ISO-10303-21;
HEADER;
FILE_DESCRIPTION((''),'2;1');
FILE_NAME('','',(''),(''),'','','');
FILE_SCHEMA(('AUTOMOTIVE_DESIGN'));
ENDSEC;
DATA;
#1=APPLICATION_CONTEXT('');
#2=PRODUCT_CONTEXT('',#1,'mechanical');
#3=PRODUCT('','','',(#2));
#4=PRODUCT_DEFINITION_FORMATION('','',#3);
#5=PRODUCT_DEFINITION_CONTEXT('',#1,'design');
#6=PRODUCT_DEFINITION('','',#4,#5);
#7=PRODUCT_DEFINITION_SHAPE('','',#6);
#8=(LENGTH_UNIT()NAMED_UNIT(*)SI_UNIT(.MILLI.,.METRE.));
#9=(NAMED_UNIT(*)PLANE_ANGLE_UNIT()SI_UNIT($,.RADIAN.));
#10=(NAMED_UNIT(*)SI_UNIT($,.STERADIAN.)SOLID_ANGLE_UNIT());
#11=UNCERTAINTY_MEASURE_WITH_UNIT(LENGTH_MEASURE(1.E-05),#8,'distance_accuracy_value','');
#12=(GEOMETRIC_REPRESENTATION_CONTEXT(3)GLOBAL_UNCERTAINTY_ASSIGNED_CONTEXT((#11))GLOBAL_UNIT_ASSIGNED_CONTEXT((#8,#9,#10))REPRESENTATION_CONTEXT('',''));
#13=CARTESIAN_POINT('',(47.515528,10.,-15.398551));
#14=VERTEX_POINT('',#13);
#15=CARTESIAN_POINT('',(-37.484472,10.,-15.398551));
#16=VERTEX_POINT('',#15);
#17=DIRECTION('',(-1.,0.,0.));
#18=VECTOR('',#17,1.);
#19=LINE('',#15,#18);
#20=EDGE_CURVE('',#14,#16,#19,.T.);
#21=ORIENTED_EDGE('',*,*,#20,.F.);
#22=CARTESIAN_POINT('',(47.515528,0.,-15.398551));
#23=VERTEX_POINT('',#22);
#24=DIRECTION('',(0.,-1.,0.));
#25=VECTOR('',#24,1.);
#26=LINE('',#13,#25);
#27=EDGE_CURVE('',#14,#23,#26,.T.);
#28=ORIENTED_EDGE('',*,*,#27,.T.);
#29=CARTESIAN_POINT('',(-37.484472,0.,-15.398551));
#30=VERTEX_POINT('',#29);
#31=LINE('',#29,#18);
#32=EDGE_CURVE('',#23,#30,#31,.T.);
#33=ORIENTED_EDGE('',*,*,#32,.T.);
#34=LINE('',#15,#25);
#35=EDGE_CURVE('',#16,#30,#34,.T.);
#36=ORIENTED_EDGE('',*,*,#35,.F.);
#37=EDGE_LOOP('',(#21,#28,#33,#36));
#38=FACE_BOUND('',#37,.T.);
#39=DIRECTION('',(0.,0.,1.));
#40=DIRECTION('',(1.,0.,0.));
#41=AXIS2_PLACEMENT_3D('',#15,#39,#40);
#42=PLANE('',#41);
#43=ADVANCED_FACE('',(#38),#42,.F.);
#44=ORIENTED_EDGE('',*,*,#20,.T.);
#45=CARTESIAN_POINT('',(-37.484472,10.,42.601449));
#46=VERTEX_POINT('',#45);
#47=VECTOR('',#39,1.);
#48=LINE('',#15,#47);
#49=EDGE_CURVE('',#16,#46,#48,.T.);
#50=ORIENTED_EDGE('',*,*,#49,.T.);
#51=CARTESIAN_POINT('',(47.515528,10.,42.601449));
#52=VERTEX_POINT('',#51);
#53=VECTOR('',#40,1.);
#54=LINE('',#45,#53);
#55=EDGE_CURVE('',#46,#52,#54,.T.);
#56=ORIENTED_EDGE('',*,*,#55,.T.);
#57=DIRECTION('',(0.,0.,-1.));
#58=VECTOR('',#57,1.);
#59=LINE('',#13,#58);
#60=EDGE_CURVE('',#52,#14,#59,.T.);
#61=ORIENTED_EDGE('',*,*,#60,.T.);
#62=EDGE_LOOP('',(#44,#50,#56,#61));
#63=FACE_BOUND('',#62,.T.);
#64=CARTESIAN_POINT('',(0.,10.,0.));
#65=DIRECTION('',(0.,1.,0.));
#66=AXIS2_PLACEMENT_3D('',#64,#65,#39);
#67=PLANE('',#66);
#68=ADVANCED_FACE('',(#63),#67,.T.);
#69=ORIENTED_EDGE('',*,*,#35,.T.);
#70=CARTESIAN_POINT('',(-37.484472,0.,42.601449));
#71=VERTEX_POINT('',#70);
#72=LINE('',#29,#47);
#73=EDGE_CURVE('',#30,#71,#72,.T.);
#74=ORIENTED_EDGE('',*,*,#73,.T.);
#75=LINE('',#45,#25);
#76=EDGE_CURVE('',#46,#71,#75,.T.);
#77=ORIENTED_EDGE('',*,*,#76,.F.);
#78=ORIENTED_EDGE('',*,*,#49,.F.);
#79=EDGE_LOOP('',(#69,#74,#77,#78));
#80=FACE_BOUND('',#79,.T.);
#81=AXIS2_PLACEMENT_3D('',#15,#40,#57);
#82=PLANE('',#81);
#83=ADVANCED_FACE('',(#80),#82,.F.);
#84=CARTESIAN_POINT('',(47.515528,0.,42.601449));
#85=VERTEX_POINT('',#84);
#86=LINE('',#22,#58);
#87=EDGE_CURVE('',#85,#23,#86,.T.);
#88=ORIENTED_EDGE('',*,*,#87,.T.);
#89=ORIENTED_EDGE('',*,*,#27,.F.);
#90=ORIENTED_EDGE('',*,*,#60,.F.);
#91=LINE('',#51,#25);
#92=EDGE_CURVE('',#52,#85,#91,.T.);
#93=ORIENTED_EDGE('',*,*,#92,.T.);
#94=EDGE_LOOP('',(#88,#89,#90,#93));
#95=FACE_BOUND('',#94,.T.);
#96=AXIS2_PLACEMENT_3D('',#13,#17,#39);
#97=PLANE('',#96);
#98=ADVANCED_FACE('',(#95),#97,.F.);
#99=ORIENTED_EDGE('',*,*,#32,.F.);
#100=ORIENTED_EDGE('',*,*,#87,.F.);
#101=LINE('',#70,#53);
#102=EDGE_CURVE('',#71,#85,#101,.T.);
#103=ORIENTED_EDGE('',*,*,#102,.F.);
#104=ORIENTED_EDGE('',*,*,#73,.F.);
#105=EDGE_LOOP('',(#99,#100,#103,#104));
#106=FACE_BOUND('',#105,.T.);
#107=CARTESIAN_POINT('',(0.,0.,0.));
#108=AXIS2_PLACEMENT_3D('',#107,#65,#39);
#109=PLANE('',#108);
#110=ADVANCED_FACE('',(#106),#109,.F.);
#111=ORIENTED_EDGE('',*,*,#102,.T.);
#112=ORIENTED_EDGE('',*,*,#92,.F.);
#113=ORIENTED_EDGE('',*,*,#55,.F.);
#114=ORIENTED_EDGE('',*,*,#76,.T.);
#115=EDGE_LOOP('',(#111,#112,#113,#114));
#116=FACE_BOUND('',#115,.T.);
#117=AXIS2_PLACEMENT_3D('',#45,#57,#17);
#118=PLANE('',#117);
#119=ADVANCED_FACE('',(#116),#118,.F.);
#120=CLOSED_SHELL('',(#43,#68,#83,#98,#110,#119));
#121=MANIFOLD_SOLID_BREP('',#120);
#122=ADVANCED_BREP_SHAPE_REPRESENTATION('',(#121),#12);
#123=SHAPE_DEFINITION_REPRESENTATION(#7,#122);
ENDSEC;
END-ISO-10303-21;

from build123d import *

# Parameters (mm, degrees)
SKETCH_1_W      = 85
SKETCH_1_H      = 58
EXTRUDE_1_DEPTH = 10


with BuildPart() as part:
    # 草图1 → 凸台-拉伸1 (new body)
    with BuildSketch(Plane(origin=(0, 0, 0), x_dir=(1, 0, 0), z_dir=(0, 1, 0))):
        with Locations((5.01552795, -13.601449275)):
            Rectangle(SKETCH_1_W, SKETCH_1_H)
    extrude(amount=EXTRUDE_1_DEPTH)


solid = part.part
